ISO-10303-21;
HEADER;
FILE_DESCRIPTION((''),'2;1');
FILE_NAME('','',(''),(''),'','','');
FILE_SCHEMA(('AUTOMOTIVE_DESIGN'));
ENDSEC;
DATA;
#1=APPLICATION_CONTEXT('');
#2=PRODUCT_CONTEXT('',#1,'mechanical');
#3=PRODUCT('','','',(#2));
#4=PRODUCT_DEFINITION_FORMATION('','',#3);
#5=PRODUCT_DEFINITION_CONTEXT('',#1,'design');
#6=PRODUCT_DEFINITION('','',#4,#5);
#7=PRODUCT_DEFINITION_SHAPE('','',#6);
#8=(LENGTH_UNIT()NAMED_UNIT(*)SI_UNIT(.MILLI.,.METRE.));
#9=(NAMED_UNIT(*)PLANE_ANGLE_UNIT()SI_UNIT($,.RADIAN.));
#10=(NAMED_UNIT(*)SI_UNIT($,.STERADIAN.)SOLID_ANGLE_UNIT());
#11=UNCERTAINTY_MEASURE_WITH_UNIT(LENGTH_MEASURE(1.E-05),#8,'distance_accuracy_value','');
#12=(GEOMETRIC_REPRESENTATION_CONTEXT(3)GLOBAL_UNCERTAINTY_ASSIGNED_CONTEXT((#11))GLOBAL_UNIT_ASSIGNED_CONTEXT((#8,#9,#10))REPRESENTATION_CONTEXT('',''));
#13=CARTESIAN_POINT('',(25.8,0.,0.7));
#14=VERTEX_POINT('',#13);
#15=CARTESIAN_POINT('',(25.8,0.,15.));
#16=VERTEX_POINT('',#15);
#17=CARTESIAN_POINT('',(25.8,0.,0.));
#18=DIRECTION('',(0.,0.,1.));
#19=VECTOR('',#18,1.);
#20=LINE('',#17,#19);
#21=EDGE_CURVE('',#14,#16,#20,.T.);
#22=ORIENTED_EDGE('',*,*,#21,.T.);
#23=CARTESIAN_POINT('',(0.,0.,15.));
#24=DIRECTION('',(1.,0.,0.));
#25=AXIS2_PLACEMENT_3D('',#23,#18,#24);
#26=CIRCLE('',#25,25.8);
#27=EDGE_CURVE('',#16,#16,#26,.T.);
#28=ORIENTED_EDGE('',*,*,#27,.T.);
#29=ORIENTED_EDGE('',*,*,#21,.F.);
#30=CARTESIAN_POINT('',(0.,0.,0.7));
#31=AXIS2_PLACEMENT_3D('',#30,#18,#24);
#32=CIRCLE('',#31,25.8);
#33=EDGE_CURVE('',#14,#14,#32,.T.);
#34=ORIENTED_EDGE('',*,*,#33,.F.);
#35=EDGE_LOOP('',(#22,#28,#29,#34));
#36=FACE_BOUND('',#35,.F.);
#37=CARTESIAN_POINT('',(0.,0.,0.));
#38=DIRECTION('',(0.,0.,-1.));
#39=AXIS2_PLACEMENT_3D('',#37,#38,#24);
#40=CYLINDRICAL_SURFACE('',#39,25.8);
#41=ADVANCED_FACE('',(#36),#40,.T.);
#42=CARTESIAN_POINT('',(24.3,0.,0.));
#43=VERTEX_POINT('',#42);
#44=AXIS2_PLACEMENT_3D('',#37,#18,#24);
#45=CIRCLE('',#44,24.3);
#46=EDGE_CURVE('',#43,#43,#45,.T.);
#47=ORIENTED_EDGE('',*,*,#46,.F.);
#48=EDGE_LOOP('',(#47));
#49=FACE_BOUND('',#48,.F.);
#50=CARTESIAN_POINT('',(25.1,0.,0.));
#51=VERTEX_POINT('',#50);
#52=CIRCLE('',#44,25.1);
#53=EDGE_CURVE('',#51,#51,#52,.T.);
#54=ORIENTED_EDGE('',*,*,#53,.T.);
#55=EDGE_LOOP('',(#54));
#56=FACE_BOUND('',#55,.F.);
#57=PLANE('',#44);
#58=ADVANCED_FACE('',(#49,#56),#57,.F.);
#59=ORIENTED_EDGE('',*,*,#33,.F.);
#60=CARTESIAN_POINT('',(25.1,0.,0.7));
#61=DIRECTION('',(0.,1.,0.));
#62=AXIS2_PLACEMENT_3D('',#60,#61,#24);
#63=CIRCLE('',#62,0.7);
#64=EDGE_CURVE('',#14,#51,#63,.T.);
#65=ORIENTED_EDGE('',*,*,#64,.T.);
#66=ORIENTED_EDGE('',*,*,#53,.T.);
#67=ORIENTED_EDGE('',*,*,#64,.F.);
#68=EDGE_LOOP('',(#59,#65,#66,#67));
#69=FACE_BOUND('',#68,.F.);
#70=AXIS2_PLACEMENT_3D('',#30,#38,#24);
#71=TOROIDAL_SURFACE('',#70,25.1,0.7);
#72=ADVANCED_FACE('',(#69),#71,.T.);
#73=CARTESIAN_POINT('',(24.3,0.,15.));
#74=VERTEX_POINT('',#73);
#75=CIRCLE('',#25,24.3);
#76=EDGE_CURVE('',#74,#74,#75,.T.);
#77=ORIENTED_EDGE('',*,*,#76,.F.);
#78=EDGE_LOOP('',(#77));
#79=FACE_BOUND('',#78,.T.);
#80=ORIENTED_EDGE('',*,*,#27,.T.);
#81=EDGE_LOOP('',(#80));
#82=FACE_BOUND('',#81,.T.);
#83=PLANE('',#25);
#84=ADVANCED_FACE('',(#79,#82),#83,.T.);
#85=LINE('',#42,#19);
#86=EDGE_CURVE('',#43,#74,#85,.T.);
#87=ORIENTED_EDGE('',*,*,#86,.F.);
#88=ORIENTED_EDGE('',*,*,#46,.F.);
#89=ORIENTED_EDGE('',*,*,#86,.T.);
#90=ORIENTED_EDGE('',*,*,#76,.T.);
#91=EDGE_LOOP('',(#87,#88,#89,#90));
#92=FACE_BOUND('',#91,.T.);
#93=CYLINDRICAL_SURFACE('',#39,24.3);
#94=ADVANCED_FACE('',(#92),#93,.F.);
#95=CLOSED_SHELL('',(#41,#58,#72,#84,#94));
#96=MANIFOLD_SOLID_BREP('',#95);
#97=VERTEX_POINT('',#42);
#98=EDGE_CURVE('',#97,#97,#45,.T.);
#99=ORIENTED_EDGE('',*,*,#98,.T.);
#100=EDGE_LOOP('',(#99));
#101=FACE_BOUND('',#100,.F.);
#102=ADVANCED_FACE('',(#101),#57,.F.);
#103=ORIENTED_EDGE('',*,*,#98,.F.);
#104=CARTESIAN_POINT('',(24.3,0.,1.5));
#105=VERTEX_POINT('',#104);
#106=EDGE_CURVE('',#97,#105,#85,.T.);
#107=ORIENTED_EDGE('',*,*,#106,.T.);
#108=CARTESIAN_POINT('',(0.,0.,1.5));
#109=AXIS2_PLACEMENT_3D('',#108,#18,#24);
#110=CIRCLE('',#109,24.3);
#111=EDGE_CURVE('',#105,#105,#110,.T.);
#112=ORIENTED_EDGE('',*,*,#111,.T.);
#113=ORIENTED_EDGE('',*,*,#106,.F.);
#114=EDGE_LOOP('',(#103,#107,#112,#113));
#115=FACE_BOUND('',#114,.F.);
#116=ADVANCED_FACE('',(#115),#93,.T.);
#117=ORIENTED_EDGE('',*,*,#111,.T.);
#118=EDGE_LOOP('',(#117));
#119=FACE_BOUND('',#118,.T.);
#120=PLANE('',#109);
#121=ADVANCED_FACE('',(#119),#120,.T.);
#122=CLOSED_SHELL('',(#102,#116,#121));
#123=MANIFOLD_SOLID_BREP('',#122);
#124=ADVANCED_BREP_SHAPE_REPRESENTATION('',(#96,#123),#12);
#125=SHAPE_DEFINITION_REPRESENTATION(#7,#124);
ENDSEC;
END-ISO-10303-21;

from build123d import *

# Parameters (mm, degrees)
F0_R     = 24.3
F1_DEPTH = 1.5
F0_R_2   = 25.8
F2_DEPTH = 15
F3_R     = 0.7


with BuildPart() as f1:
    # F0 (on Top) → F1 (new body)
    with BuildSketch(Plane.XY):
        Circle(F0_R)
    extrude(amount=F1_DEPTH)


with BuildPart() as f2:
    # F0 (on Top) → F2 (new body)
    with BuildSketch(Plane.XY):
        Circle(F0_R_2)
        Circle(F0_R, mode=Mode.SUBTRACT)
    extrude(amount=F2_DEPTH)

    # F3
    f3_edges = [f2.edges().sort_by_distance(p)[0] for p in [
        (-25.8, 0, 0),
    ]]
    fillet(f3_edges, radius=F3_R)


solid = Compound([f1.part, f2.part])
